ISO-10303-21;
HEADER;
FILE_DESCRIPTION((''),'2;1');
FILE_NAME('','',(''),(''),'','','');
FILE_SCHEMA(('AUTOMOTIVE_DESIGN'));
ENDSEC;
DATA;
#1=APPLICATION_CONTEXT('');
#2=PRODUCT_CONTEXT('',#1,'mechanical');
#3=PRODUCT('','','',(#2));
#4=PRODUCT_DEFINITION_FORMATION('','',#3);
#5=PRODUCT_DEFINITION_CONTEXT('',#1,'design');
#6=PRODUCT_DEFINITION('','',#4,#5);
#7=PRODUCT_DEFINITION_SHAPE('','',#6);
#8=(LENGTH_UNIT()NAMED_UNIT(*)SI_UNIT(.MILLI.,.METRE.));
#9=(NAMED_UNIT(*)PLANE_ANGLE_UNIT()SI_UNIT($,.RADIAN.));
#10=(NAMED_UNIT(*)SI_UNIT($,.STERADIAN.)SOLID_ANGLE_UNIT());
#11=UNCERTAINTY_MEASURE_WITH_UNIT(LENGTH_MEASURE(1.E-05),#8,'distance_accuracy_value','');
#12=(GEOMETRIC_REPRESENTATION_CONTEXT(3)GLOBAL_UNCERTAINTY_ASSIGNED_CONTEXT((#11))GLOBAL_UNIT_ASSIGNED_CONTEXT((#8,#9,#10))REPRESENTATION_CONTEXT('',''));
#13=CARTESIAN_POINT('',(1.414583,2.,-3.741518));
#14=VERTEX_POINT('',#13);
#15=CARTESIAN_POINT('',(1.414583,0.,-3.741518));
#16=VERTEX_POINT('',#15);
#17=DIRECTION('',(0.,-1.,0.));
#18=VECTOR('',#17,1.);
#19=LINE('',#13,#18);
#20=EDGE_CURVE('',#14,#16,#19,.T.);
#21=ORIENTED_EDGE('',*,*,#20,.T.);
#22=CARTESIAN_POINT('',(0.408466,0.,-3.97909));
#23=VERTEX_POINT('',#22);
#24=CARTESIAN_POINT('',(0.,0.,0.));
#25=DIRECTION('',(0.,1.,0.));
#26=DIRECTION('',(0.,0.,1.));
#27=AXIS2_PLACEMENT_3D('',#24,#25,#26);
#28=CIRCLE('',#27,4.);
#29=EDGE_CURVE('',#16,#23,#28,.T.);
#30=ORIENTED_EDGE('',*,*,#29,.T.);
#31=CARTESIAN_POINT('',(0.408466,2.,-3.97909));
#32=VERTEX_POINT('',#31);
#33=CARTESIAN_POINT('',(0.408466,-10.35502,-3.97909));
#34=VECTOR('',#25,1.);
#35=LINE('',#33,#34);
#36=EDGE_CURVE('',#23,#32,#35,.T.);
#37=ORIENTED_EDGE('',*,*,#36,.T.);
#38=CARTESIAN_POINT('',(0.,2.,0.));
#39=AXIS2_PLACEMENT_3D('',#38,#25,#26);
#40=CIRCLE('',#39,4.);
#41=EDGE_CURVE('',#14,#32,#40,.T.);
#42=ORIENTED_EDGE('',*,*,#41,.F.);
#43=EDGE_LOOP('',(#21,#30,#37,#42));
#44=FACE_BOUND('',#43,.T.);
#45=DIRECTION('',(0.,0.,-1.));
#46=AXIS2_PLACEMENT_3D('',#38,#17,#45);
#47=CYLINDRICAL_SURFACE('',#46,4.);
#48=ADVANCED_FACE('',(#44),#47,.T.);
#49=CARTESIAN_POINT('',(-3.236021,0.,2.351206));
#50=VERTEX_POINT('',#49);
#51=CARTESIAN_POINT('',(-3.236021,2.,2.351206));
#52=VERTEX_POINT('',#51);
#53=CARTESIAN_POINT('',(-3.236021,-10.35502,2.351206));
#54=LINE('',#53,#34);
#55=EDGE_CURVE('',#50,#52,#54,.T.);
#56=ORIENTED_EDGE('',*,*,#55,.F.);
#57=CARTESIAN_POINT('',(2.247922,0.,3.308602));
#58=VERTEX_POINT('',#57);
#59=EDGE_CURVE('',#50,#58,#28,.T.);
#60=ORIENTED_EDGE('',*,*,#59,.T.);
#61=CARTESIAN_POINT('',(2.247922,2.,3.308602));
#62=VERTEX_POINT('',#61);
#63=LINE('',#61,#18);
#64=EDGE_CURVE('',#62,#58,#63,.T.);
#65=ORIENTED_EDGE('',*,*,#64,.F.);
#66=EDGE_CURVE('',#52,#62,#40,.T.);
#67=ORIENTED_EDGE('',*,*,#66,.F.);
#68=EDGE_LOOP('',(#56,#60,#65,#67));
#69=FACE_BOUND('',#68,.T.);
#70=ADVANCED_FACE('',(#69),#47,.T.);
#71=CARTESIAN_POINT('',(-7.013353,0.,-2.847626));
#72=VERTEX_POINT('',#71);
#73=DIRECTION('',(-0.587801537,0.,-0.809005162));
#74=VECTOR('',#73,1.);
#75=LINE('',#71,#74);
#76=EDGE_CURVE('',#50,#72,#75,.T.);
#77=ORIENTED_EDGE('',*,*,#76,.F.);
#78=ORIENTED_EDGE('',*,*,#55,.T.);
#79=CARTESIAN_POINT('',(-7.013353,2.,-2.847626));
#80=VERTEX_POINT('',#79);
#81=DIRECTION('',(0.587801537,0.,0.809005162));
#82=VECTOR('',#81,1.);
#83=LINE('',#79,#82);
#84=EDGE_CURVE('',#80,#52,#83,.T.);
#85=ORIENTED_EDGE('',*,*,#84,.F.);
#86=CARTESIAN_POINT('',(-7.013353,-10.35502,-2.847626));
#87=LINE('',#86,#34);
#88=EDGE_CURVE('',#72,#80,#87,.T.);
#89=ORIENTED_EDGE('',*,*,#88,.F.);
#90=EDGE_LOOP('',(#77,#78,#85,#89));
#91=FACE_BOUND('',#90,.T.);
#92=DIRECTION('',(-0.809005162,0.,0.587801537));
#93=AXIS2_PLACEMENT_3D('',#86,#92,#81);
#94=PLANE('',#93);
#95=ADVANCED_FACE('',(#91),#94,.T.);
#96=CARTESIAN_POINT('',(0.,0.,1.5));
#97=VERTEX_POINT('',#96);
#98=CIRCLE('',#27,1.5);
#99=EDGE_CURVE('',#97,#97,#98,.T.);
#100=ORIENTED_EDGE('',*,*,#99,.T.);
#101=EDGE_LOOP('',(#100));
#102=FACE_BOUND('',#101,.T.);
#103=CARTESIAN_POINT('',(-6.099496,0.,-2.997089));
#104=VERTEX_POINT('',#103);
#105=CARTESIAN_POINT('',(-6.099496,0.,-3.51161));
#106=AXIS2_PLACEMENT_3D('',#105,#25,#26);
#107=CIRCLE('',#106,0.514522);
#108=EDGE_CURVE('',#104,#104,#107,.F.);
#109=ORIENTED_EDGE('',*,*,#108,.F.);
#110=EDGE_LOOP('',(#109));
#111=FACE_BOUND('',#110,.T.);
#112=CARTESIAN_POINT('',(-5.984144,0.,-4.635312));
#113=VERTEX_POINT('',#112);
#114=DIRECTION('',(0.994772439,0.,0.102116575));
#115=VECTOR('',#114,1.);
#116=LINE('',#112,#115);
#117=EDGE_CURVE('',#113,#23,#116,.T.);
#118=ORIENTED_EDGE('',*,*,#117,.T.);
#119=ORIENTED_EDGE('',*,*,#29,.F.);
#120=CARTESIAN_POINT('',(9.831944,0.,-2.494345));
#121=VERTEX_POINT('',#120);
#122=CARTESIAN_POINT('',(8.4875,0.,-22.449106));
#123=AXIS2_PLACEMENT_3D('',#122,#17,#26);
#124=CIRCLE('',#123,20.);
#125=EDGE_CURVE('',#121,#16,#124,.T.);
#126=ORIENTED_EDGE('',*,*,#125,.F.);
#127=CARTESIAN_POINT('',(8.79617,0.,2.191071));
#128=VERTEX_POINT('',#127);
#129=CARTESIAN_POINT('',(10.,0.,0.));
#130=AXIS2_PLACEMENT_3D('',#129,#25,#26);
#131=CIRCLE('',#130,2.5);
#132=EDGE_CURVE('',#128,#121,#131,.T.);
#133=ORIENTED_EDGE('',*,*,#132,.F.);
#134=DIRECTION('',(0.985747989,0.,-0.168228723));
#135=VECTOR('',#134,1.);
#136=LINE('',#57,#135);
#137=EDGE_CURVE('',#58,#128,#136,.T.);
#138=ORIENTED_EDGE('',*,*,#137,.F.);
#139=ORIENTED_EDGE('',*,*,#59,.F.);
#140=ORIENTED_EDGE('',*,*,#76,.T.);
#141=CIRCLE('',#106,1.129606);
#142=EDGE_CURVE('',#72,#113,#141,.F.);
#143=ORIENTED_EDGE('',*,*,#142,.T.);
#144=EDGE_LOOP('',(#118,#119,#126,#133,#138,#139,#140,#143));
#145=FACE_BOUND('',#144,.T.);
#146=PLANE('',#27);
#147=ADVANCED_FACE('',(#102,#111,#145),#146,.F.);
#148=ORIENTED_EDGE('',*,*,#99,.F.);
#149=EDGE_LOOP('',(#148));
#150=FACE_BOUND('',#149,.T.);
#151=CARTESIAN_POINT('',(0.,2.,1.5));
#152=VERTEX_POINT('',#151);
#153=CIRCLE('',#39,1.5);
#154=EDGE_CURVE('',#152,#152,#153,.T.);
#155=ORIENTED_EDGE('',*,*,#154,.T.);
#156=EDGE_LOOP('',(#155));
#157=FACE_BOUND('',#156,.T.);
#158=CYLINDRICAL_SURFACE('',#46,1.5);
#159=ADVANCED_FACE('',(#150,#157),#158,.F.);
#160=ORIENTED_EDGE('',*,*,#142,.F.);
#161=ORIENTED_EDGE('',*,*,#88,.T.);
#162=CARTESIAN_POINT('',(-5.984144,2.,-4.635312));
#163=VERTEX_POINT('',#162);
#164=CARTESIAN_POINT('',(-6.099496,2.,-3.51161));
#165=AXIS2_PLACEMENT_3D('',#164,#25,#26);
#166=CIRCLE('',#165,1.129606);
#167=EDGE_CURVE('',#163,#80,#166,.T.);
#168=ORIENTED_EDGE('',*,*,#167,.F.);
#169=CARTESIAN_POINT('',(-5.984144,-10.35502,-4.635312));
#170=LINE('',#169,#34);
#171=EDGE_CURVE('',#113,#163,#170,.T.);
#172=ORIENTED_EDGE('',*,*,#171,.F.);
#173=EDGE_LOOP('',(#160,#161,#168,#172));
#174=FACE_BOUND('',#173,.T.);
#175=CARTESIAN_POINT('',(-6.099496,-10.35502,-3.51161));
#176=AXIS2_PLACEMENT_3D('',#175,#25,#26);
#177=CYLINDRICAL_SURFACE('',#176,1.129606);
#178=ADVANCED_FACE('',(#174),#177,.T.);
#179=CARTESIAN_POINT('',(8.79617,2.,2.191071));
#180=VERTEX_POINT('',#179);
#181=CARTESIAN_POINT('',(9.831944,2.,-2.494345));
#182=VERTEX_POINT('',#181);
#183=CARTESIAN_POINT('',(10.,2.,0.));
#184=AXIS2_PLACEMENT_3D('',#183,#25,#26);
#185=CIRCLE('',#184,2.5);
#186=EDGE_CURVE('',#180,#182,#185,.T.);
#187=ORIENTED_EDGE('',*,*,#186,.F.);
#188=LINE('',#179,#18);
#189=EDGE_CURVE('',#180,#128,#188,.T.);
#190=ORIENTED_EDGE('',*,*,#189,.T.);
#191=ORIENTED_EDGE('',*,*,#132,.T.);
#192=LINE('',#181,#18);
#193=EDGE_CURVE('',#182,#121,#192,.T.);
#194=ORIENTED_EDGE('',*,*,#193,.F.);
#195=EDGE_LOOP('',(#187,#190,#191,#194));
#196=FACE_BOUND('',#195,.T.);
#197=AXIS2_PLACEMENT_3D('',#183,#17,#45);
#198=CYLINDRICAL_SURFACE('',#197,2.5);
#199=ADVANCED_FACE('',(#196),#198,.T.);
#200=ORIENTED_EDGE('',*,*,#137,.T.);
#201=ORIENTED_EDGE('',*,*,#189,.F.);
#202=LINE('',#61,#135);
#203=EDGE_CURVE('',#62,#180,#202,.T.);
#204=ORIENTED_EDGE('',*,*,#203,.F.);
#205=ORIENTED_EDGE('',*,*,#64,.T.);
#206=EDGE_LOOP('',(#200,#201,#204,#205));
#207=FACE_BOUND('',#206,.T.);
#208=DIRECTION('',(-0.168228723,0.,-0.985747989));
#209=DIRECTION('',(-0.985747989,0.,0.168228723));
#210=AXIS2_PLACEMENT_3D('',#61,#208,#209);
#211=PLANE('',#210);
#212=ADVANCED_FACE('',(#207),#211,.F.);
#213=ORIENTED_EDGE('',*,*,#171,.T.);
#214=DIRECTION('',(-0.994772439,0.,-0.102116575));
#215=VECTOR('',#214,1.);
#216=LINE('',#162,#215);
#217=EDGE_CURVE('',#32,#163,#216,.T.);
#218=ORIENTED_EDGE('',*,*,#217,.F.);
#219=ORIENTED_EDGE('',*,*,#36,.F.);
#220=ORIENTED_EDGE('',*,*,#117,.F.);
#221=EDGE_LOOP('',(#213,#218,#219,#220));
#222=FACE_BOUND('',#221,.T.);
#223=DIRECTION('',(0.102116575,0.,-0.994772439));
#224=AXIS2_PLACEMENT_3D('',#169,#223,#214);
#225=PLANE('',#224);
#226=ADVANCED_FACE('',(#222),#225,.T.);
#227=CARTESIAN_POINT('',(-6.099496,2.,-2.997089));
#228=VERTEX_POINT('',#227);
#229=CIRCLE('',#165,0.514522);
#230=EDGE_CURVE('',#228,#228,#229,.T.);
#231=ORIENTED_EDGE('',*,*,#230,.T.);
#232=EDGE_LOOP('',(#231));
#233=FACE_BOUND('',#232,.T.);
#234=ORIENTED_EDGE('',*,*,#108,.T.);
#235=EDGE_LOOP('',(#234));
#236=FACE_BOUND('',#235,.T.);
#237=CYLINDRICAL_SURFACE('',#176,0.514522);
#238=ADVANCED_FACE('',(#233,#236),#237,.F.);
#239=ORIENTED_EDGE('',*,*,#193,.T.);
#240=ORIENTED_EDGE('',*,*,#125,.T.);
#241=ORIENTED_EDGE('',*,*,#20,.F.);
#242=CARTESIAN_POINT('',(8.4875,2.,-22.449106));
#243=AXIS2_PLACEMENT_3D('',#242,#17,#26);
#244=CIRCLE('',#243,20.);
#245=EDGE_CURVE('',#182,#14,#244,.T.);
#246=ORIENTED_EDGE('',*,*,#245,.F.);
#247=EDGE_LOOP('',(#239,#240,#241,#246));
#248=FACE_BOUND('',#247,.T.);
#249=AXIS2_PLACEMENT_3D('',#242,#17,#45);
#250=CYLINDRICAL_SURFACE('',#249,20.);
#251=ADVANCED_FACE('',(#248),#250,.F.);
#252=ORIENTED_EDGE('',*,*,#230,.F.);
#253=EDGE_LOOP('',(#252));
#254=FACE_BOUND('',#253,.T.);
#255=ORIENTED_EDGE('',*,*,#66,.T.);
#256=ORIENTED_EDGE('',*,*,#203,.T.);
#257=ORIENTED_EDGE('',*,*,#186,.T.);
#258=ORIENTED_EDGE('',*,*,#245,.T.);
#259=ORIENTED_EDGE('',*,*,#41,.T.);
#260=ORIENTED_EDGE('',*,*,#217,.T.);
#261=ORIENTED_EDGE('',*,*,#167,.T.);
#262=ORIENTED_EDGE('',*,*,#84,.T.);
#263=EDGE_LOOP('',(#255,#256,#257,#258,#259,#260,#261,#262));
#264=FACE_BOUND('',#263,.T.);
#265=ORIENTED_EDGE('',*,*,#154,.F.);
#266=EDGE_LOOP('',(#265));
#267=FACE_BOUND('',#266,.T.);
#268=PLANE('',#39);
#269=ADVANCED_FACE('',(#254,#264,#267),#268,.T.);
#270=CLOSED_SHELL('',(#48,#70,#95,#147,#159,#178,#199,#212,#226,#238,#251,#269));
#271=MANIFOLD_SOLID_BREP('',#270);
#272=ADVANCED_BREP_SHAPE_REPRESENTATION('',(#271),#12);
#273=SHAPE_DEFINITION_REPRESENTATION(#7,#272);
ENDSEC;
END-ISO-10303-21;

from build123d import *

# Parameters (mm, degrees)
SKETCH1_R           = 1.5
BOSS_EXTRUDE1_DEPTH = 2
BOSS_EXTRUDE2_START = -2
SKETCH2_R           = 0.514521653
BOSS_EXTRUDE2_DEPTH = 2


with BuildPart() as part:
    # Sketch1 → Boss-Extrude1 (new body)
    with BuildSketch(Plane(origin=(0, 0, 0), x_dir=(1, 0, 0), z_dir=(0, 1, 0))):
        with BuildLine():
            Line((2.247922133, -3.308601832), (8.796170176, -2.191071372))
            ThreePointArc((8.796170176, -2.191071372), (12.441065174, -0.53963026), (9.831944444, 2.49434507))
            ThreePointArc((9.831944444, 2.49434507), (5.556167823, 2.665089568), (1.414583333, 3.741517606))
            ThreePointArc((1.414583333, 3.741517606), (-3.972345981, -0.469539568), (2.247922133, -3.308601832))
        make_face()
        with Locations(Location((0, 0, 0), (0, 0, 270))):
            Circle(SKETCH1_R, mode=Mode.SUBTRACT)
    extrude(amount=BOSS_EXTRUDE1_DEPTH)

    # Sketch2 → Boss-Extrude2 (add)
    with BuildSketch(Plane(origin=(0, 2, 0), x_dir=(1, 0, 0), z_dir=(0, 1, 0)).offset(BOSS_EXTRUDE2_START)):
        with BuildLine():
            Line((-5.984144072, 4.635311674), (0.408466301, 3.979089755))
            ThreePointArc((0.408466301, 3.979089755), (-3.466544022, 1.995763648), (-3.236020649, -2.35120615))
            Line((-3.236020649, -2.35120615), (-7.013353091, 2.847625854))
            ThreePointArc((-7.013353091, 2.847625854), (-7.078453265, 4.075217168), (-5.984144072, 4.635311674))
        make_face()
        with Locations(Location((-6.099495617, 3.51161028, 0), (0, 0, 270))):
            Circle(SKETCH2_R, mode=Mode.SUBTRACT)
    extrude(amount=BOSS_EXTRUDE2_DEPTH)


solid = part.part
